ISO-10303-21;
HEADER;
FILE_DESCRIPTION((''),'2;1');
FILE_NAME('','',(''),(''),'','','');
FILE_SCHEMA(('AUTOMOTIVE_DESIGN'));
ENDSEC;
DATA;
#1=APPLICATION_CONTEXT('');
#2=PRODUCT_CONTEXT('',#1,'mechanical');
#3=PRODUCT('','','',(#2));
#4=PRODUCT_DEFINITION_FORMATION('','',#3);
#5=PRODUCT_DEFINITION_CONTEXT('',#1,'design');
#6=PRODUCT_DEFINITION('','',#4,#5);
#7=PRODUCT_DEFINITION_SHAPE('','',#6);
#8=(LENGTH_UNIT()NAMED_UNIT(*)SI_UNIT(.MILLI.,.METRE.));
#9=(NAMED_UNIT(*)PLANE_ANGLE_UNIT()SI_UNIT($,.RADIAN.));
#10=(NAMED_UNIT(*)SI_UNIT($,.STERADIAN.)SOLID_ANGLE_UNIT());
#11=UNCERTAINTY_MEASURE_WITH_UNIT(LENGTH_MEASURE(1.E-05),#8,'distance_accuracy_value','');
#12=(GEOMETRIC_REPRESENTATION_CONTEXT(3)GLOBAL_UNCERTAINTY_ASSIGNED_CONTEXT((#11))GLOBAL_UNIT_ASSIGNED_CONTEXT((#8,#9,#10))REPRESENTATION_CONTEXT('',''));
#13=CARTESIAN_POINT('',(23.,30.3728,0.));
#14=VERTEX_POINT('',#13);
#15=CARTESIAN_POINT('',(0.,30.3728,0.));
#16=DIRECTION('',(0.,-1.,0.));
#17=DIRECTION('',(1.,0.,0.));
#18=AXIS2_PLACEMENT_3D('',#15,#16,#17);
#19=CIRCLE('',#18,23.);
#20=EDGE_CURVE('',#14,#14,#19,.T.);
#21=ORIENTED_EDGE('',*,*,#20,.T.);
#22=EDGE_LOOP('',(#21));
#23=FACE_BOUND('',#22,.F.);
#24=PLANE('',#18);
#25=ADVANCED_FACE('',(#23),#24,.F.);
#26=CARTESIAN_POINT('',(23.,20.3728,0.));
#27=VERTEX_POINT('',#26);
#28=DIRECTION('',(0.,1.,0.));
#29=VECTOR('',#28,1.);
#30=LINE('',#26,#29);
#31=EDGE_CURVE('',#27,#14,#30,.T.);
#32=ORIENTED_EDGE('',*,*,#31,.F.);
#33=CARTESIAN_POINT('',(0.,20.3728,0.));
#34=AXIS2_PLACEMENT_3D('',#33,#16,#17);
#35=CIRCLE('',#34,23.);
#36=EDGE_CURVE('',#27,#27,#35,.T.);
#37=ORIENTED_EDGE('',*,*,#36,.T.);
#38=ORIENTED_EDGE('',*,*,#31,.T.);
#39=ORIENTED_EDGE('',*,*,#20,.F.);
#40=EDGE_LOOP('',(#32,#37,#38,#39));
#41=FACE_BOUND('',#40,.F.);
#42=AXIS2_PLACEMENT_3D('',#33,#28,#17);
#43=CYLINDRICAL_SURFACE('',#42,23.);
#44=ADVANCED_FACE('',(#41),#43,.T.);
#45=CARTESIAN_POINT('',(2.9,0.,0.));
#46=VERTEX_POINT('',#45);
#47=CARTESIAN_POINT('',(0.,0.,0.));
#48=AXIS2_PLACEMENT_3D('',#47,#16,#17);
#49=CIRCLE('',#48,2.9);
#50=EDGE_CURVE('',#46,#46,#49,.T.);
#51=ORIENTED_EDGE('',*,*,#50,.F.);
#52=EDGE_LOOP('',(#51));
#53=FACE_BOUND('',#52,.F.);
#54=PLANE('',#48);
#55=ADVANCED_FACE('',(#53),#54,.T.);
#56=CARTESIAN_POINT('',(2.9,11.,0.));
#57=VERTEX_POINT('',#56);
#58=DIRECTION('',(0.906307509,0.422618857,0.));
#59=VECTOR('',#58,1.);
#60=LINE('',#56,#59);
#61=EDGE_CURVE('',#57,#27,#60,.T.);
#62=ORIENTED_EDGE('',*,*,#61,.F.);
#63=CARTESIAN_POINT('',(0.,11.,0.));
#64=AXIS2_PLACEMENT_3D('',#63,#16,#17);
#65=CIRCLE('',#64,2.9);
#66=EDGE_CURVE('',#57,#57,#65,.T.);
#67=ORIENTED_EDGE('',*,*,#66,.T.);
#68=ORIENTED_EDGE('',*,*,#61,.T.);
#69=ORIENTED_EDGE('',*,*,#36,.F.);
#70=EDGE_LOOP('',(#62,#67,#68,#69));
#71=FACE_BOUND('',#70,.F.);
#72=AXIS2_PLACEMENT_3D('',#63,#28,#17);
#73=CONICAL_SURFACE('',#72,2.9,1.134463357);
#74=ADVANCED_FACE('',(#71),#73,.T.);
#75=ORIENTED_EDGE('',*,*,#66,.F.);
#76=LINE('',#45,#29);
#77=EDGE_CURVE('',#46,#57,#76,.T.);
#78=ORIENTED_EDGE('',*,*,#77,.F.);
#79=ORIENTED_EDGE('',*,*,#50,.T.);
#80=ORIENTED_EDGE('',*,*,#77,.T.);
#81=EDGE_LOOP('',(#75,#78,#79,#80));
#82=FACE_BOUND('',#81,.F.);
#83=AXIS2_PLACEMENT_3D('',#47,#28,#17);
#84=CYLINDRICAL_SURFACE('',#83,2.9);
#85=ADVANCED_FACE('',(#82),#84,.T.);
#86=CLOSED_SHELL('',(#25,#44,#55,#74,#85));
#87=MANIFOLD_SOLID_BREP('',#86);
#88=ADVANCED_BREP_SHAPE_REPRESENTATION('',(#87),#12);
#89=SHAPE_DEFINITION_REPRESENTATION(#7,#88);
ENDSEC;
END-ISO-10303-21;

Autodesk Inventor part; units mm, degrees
ref_plane "YZ Plane" through (0, 0, 0) normal (1, 0, 0) x (0, 1, 0)
ref_plane "XZ Plane" through (0, 0, 0) normal (0, 1, 0) x (-1, 0, 0)
ref_plane "XY Plane" through (0, 0, 0) normal (0, 0, 1) x (1, 0, 0)
sketch "Sketch1" plane through (0, 0, 0) normal (0, 0, 1) x (1, 0, 0)
  line L0 (0, 0) -> (2.9, 0)
  line L1 (2.9, 0) -> (2.9, 11)
  line L2 (2.9, 11) -> (23, 20.3728)
  line L3 (0, 30.3728) -> (0, 0)
  line L4 (23, 20.3728) -> (23, 30.3728)
  line L5 (23, 30.3728) -> (0, 30.3728)
  dimension "d0" = 2.9
  dimension "d1" = 11
  dimension "d2" = 65
  dimension "d4" = 10
  dimension "d6" = 23
revolve "Revolution1" add sketch "Sketch1" angle 360 about axis through (0, 30.3728, 0) along (0, -1, 0)
properties part number "P00173-09-012"
